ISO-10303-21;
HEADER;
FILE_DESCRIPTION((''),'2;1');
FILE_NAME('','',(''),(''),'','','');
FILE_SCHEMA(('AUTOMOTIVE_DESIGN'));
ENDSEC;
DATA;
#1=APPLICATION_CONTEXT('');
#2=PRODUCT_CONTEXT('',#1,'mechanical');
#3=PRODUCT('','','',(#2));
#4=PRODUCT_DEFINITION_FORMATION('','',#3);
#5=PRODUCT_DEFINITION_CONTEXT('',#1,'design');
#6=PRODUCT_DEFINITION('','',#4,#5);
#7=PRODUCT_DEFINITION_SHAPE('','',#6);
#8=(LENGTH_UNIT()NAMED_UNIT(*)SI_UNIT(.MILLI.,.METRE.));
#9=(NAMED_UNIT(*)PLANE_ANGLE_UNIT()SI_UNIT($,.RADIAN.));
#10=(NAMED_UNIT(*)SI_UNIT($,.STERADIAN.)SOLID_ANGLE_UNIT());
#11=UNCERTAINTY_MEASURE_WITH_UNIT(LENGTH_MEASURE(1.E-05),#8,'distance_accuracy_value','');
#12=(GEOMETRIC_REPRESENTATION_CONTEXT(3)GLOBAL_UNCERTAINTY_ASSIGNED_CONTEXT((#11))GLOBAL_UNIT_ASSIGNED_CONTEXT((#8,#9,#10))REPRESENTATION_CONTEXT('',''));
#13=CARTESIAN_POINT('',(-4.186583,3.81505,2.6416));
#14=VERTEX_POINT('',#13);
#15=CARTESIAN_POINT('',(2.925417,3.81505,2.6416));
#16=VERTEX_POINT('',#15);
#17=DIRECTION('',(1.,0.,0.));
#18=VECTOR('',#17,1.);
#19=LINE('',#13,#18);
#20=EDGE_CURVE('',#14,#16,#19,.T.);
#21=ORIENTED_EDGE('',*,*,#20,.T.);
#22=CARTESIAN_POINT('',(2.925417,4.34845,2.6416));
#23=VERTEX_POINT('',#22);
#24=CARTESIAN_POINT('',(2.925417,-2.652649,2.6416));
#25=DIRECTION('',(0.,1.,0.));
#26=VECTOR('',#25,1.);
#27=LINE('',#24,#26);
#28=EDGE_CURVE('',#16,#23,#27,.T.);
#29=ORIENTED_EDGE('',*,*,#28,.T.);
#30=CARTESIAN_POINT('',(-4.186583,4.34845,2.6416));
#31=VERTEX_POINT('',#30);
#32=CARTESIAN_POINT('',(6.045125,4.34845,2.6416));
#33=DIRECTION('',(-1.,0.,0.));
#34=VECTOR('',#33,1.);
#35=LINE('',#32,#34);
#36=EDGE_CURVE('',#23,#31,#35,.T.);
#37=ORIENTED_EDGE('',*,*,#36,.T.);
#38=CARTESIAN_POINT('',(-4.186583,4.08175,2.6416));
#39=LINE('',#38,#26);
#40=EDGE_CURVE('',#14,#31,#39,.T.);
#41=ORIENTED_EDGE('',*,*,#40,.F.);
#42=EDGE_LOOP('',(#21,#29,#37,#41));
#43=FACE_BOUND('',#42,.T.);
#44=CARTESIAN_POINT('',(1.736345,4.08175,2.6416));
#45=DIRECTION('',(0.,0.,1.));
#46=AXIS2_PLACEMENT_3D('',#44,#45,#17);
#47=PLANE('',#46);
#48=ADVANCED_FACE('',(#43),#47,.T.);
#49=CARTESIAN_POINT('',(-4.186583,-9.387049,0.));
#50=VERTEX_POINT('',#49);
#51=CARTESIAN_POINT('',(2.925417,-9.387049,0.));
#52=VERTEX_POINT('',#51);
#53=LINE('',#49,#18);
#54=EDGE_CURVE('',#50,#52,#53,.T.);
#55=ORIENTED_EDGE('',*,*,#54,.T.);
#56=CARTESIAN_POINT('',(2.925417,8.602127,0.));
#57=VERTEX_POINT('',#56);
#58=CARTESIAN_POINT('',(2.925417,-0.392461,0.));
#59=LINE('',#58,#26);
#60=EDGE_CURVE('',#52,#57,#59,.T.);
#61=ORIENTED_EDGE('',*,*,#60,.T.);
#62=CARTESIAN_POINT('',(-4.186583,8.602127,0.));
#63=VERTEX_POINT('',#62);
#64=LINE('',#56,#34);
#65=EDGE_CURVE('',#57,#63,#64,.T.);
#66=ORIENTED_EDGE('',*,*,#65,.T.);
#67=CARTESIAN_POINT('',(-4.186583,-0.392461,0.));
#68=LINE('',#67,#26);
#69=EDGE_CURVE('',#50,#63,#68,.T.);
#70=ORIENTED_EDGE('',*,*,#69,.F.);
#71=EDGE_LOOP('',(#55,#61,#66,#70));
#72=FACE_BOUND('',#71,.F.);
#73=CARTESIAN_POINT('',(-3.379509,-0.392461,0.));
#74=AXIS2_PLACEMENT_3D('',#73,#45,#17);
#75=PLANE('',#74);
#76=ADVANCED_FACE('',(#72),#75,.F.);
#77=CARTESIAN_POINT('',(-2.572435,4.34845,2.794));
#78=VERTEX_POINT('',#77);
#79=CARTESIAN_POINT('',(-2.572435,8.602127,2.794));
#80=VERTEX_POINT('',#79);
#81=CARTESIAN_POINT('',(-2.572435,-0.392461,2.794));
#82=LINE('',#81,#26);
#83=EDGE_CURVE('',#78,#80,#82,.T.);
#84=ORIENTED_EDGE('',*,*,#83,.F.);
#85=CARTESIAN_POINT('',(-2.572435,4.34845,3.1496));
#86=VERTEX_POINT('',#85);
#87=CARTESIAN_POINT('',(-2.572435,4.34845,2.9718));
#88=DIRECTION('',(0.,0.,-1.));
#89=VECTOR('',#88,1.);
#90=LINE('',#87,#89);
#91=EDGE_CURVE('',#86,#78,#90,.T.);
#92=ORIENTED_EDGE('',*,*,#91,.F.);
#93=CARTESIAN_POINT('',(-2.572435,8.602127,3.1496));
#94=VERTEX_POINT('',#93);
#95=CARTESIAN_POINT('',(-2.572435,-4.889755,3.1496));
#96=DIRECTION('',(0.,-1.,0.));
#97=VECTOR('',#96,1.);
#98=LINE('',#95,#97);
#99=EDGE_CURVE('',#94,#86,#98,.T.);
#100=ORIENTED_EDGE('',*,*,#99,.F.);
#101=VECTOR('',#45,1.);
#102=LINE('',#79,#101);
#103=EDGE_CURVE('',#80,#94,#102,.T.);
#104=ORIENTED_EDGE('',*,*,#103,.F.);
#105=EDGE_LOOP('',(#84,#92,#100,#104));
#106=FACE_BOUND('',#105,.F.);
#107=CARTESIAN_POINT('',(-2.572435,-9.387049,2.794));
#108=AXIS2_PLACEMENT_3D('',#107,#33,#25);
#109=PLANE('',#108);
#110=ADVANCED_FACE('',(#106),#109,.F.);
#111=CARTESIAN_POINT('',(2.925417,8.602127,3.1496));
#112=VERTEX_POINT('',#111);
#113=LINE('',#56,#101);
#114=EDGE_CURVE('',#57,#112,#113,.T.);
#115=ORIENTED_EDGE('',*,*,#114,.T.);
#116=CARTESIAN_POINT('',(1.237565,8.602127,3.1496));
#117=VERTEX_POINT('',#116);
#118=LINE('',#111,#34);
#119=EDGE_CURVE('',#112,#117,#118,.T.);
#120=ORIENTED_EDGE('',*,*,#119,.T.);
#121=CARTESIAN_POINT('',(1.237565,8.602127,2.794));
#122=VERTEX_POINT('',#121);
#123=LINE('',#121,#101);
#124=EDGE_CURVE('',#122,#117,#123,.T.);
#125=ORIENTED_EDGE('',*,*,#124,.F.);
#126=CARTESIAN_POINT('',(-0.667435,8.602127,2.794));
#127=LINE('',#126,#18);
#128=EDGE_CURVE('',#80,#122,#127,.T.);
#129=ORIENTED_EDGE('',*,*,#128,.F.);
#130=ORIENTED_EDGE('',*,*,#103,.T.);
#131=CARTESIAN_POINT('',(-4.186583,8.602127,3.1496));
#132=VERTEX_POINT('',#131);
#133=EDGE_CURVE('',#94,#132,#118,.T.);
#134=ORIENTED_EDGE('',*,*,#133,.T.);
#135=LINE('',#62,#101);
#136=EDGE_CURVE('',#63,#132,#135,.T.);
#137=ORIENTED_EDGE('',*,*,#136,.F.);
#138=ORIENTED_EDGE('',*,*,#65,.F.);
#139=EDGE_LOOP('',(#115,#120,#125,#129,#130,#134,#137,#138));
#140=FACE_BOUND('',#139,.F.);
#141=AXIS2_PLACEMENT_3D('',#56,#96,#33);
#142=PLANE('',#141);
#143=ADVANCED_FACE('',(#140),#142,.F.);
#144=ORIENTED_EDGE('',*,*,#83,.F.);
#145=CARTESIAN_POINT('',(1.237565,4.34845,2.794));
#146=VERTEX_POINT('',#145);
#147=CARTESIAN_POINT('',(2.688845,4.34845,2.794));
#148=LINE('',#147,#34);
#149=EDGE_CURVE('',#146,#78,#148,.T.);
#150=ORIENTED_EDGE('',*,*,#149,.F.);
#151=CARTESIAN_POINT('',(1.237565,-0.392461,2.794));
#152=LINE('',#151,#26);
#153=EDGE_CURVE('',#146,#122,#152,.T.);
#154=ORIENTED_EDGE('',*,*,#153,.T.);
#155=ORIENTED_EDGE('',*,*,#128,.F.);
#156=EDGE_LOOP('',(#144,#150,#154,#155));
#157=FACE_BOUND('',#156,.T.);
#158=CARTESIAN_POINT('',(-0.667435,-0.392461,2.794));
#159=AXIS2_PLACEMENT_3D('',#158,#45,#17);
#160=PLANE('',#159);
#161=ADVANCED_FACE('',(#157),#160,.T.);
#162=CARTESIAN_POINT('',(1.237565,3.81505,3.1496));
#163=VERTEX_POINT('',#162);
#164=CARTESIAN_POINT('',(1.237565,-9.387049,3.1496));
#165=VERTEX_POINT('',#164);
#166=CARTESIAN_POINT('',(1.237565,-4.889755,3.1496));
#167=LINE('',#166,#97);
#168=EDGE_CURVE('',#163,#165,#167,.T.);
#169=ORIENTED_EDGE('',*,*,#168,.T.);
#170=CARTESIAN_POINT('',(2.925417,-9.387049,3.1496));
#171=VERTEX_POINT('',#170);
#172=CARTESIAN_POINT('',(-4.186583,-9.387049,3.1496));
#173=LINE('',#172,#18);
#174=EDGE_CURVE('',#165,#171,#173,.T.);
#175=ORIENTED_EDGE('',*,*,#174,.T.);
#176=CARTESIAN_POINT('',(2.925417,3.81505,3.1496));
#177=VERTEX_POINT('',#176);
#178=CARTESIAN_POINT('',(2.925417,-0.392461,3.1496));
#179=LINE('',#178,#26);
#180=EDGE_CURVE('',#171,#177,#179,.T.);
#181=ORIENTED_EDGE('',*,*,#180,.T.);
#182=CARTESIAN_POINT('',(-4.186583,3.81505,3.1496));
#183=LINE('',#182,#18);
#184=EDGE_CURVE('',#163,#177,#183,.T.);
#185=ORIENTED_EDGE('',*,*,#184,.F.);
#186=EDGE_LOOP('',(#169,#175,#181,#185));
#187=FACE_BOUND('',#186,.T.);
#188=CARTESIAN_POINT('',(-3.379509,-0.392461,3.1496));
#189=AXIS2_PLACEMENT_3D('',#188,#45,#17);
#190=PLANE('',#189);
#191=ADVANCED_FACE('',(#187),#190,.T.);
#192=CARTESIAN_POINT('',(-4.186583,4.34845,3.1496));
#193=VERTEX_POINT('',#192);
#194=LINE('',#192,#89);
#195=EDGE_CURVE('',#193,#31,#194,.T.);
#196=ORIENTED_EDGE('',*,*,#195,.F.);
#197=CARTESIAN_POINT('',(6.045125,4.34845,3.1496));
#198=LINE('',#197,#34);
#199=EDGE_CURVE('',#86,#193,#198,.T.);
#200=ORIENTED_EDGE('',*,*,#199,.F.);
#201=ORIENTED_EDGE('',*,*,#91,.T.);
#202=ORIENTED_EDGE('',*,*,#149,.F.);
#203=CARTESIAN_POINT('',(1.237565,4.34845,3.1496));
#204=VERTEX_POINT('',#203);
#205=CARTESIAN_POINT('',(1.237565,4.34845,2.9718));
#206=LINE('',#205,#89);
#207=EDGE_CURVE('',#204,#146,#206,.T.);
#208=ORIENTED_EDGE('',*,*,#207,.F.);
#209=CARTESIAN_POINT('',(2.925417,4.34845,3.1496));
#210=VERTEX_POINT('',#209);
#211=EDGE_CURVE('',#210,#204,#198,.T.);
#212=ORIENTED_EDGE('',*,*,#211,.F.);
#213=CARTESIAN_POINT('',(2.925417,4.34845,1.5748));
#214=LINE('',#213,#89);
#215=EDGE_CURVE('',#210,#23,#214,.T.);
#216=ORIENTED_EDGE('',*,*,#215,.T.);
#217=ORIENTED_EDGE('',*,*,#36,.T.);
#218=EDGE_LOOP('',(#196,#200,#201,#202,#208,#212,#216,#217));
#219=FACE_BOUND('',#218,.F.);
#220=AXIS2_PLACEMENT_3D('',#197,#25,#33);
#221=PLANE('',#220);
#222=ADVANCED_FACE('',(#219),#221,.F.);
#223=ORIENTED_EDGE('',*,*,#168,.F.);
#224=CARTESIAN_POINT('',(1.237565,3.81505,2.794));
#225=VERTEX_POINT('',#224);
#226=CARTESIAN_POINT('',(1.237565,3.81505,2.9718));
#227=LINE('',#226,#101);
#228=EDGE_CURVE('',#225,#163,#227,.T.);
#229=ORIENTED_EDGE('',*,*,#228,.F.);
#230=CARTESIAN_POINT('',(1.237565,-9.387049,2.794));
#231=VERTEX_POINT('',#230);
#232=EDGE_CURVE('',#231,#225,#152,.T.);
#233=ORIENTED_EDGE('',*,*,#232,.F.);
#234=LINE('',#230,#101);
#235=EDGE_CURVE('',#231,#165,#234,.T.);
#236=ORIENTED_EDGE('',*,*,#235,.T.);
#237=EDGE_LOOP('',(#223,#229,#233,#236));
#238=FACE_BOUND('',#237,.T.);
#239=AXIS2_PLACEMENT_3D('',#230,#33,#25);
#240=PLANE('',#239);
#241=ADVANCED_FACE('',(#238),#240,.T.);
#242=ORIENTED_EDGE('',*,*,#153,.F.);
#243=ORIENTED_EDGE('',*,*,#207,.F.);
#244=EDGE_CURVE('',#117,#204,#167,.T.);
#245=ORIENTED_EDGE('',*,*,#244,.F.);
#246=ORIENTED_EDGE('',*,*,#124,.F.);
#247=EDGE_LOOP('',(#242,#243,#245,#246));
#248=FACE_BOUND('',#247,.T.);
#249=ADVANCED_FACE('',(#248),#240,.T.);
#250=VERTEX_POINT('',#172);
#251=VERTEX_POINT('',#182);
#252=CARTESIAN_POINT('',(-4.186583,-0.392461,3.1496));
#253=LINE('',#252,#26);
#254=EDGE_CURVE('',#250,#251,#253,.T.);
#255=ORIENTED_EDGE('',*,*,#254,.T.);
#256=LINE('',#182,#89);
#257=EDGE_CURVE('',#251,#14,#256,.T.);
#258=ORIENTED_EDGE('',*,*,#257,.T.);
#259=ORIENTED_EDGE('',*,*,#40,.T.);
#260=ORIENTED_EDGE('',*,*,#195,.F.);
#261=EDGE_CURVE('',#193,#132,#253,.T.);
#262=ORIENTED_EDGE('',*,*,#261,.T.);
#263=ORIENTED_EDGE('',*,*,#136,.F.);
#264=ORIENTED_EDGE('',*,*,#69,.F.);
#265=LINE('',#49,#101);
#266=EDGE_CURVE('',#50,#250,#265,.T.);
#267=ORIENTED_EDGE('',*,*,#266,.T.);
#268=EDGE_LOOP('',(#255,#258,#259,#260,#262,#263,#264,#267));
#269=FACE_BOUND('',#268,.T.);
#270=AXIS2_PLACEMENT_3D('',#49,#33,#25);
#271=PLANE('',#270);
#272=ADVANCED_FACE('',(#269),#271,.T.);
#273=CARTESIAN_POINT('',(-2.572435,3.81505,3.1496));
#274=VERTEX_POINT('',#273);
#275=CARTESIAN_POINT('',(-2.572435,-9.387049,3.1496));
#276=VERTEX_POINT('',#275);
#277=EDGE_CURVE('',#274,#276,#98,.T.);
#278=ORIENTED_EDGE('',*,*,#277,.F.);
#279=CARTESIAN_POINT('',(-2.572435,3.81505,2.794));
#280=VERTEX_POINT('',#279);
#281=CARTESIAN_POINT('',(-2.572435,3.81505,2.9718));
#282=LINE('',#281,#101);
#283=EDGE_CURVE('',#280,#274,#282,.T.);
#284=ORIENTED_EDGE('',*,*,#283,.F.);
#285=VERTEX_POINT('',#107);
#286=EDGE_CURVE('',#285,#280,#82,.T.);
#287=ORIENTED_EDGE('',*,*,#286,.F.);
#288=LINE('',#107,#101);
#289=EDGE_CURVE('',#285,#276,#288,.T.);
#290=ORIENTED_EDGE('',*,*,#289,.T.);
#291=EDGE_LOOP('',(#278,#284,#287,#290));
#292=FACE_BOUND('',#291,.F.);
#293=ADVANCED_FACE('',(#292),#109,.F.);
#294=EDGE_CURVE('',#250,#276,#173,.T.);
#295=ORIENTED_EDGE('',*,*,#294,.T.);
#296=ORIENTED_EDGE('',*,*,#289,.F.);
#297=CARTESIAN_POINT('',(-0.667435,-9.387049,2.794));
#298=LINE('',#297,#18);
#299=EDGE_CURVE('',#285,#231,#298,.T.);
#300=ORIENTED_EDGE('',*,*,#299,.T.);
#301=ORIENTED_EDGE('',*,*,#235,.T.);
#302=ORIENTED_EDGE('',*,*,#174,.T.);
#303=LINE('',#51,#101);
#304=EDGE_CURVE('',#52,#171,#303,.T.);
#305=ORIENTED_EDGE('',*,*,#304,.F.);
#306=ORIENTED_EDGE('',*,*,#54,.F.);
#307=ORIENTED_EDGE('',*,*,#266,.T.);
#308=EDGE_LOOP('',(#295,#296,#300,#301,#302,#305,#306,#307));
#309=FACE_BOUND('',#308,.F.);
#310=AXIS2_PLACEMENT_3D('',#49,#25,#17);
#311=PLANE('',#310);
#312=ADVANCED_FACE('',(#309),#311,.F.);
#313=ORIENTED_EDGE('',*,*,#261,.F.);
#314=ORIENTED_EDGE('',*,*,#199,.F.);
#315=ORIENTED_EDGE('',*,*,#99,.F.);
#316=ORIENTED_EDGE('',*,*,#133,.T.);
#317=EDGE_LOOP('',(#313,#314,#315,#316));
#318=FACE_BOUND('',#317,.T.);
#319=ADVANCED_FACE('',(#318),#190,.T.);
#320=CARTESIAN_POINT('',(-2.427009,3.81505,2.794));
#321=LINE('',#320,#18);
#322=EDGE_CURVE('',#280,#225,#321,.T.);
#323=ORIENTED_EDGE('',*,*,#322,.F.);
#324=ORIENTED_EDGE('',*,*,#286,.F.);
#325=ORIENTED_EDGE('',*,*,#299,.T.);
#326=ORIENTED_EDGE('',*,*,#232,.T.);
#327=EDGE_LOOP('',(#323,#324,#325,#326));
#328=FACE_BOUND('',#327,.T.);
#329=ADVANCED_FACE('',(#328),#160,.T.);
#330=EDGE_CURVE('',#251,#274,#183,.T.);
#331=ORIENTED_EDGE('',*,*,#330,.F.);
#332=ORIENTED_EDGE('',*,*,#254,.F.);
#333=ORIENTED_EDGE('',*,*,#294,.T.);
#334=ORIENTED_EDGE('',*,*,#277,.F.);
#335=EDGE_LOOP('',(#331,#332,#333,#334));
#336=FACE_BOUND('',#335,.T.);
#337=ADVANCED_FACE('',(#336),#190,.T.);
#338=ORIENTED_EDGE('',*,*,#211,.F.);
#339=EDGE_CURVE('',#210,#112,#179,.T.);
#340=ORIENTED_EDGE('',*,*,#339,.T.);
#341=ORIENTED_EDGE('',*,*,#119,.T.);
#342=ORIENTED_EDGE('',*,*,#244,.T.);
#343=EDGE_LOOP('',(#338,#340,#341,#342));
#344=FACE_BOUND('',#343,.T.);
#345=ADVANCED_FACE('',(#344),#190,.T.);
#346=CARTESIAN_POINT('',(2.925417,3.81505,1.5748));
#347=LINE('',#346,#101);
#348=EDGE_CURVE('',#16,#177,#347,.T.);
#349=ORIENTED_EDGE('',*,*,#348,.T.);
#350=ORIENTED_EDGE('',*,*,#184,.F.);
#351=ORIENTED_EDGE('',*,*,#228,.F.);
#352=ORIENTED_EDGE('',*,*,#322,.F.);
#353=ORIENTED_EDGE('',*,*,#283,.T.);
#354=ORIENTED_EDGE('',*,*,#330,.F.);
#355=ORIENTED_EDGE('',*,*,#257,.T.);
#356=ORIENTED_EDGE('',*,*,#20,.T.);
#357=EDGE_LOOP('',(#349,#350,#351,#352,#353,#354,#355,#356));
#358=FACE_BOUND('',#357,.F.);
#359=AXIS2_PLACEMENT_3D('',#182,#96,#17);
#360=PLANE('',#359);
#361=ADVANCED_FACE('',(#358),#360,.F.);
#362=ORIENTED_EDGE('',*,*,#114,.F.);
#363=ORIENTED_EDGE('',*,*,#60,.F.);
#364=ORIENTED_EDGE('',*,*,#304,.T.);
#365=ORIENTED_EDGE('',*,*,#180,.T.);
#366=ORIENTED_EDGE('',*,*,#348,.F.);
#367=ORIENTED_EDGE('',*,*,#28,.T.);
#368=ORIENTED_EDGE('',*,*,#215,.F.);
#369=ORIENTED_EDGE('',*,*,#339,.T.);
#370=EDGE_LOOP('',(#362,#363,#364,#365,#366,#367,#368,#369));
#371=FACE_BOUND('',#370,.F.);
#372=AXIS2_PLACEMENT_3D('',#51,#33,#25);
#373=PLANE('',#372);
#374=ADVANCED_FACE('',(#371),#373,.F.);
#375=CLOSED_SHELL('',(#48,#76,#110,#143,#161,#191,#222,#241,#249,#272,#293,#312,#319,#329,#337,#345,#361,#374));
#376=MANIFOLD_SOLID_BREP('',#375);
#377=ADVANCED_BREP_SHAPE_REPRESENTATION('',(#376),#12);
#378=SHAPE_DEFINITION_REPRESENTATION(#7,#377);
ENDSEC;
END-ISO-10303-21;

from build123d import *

# Parameters (mm, degrees)
F0_W     = 1.6141478449
F0_H     = 17.9891760959
F0_W_2   = 3.81
F0_W_3   = 1.6878521551
F1_DEPTH = 3.1496
F2_START = 2.794
F2_DEPTH = 2.0828
F3_W     = 8.6175605327
F3_H     = 0.5334
F3_W_2   = 1.6141478449
F4_DEPTH = 0.508


with BuildPart() as f1:
    # F0 (on Top) → F1 (new body)
    with BuildSketch(Plane.XY):
        with Locations((-3.3795093424, -0.3924611956)):
            Rectangle(F0_W, F0_H)
        with Locations((-0.66743542, -0.3924611956)):
            Rectangle(F0_W_2, F0_H)
        with Locations((2.0814906576, -0.3924611956)):
            Rectangle(F0_W_3, F0_H)
    extrude(amount=F1_DEPTH)

    # F0 (on Top) → F2 (cut)
    with BuildSketch(Plane.XY.offset(F2_START)):
        with Locations((-0.66743542, -0.3924611956)):
            Rectangle(F0_W_2, F0_H)
    extrude(amount=F2_DEPTH, mode=Mode.SUBTRACT)

    # F3 (on face) → F4 (cut)
    with BuildSketch(Plane.XY.offset(3.1496)):
        with Locations((1.7363448463, 4.0817503403)):
            Rectangle(F3_W, F3_H)
        with Locations((-3.3795093424, 4.0817503403)):
            Rectangle(F3_W_2, F3_H)
    extrude(amount=-F4_DEPTH, mode=Mode.SUBTRACT)


solid = f1.part
